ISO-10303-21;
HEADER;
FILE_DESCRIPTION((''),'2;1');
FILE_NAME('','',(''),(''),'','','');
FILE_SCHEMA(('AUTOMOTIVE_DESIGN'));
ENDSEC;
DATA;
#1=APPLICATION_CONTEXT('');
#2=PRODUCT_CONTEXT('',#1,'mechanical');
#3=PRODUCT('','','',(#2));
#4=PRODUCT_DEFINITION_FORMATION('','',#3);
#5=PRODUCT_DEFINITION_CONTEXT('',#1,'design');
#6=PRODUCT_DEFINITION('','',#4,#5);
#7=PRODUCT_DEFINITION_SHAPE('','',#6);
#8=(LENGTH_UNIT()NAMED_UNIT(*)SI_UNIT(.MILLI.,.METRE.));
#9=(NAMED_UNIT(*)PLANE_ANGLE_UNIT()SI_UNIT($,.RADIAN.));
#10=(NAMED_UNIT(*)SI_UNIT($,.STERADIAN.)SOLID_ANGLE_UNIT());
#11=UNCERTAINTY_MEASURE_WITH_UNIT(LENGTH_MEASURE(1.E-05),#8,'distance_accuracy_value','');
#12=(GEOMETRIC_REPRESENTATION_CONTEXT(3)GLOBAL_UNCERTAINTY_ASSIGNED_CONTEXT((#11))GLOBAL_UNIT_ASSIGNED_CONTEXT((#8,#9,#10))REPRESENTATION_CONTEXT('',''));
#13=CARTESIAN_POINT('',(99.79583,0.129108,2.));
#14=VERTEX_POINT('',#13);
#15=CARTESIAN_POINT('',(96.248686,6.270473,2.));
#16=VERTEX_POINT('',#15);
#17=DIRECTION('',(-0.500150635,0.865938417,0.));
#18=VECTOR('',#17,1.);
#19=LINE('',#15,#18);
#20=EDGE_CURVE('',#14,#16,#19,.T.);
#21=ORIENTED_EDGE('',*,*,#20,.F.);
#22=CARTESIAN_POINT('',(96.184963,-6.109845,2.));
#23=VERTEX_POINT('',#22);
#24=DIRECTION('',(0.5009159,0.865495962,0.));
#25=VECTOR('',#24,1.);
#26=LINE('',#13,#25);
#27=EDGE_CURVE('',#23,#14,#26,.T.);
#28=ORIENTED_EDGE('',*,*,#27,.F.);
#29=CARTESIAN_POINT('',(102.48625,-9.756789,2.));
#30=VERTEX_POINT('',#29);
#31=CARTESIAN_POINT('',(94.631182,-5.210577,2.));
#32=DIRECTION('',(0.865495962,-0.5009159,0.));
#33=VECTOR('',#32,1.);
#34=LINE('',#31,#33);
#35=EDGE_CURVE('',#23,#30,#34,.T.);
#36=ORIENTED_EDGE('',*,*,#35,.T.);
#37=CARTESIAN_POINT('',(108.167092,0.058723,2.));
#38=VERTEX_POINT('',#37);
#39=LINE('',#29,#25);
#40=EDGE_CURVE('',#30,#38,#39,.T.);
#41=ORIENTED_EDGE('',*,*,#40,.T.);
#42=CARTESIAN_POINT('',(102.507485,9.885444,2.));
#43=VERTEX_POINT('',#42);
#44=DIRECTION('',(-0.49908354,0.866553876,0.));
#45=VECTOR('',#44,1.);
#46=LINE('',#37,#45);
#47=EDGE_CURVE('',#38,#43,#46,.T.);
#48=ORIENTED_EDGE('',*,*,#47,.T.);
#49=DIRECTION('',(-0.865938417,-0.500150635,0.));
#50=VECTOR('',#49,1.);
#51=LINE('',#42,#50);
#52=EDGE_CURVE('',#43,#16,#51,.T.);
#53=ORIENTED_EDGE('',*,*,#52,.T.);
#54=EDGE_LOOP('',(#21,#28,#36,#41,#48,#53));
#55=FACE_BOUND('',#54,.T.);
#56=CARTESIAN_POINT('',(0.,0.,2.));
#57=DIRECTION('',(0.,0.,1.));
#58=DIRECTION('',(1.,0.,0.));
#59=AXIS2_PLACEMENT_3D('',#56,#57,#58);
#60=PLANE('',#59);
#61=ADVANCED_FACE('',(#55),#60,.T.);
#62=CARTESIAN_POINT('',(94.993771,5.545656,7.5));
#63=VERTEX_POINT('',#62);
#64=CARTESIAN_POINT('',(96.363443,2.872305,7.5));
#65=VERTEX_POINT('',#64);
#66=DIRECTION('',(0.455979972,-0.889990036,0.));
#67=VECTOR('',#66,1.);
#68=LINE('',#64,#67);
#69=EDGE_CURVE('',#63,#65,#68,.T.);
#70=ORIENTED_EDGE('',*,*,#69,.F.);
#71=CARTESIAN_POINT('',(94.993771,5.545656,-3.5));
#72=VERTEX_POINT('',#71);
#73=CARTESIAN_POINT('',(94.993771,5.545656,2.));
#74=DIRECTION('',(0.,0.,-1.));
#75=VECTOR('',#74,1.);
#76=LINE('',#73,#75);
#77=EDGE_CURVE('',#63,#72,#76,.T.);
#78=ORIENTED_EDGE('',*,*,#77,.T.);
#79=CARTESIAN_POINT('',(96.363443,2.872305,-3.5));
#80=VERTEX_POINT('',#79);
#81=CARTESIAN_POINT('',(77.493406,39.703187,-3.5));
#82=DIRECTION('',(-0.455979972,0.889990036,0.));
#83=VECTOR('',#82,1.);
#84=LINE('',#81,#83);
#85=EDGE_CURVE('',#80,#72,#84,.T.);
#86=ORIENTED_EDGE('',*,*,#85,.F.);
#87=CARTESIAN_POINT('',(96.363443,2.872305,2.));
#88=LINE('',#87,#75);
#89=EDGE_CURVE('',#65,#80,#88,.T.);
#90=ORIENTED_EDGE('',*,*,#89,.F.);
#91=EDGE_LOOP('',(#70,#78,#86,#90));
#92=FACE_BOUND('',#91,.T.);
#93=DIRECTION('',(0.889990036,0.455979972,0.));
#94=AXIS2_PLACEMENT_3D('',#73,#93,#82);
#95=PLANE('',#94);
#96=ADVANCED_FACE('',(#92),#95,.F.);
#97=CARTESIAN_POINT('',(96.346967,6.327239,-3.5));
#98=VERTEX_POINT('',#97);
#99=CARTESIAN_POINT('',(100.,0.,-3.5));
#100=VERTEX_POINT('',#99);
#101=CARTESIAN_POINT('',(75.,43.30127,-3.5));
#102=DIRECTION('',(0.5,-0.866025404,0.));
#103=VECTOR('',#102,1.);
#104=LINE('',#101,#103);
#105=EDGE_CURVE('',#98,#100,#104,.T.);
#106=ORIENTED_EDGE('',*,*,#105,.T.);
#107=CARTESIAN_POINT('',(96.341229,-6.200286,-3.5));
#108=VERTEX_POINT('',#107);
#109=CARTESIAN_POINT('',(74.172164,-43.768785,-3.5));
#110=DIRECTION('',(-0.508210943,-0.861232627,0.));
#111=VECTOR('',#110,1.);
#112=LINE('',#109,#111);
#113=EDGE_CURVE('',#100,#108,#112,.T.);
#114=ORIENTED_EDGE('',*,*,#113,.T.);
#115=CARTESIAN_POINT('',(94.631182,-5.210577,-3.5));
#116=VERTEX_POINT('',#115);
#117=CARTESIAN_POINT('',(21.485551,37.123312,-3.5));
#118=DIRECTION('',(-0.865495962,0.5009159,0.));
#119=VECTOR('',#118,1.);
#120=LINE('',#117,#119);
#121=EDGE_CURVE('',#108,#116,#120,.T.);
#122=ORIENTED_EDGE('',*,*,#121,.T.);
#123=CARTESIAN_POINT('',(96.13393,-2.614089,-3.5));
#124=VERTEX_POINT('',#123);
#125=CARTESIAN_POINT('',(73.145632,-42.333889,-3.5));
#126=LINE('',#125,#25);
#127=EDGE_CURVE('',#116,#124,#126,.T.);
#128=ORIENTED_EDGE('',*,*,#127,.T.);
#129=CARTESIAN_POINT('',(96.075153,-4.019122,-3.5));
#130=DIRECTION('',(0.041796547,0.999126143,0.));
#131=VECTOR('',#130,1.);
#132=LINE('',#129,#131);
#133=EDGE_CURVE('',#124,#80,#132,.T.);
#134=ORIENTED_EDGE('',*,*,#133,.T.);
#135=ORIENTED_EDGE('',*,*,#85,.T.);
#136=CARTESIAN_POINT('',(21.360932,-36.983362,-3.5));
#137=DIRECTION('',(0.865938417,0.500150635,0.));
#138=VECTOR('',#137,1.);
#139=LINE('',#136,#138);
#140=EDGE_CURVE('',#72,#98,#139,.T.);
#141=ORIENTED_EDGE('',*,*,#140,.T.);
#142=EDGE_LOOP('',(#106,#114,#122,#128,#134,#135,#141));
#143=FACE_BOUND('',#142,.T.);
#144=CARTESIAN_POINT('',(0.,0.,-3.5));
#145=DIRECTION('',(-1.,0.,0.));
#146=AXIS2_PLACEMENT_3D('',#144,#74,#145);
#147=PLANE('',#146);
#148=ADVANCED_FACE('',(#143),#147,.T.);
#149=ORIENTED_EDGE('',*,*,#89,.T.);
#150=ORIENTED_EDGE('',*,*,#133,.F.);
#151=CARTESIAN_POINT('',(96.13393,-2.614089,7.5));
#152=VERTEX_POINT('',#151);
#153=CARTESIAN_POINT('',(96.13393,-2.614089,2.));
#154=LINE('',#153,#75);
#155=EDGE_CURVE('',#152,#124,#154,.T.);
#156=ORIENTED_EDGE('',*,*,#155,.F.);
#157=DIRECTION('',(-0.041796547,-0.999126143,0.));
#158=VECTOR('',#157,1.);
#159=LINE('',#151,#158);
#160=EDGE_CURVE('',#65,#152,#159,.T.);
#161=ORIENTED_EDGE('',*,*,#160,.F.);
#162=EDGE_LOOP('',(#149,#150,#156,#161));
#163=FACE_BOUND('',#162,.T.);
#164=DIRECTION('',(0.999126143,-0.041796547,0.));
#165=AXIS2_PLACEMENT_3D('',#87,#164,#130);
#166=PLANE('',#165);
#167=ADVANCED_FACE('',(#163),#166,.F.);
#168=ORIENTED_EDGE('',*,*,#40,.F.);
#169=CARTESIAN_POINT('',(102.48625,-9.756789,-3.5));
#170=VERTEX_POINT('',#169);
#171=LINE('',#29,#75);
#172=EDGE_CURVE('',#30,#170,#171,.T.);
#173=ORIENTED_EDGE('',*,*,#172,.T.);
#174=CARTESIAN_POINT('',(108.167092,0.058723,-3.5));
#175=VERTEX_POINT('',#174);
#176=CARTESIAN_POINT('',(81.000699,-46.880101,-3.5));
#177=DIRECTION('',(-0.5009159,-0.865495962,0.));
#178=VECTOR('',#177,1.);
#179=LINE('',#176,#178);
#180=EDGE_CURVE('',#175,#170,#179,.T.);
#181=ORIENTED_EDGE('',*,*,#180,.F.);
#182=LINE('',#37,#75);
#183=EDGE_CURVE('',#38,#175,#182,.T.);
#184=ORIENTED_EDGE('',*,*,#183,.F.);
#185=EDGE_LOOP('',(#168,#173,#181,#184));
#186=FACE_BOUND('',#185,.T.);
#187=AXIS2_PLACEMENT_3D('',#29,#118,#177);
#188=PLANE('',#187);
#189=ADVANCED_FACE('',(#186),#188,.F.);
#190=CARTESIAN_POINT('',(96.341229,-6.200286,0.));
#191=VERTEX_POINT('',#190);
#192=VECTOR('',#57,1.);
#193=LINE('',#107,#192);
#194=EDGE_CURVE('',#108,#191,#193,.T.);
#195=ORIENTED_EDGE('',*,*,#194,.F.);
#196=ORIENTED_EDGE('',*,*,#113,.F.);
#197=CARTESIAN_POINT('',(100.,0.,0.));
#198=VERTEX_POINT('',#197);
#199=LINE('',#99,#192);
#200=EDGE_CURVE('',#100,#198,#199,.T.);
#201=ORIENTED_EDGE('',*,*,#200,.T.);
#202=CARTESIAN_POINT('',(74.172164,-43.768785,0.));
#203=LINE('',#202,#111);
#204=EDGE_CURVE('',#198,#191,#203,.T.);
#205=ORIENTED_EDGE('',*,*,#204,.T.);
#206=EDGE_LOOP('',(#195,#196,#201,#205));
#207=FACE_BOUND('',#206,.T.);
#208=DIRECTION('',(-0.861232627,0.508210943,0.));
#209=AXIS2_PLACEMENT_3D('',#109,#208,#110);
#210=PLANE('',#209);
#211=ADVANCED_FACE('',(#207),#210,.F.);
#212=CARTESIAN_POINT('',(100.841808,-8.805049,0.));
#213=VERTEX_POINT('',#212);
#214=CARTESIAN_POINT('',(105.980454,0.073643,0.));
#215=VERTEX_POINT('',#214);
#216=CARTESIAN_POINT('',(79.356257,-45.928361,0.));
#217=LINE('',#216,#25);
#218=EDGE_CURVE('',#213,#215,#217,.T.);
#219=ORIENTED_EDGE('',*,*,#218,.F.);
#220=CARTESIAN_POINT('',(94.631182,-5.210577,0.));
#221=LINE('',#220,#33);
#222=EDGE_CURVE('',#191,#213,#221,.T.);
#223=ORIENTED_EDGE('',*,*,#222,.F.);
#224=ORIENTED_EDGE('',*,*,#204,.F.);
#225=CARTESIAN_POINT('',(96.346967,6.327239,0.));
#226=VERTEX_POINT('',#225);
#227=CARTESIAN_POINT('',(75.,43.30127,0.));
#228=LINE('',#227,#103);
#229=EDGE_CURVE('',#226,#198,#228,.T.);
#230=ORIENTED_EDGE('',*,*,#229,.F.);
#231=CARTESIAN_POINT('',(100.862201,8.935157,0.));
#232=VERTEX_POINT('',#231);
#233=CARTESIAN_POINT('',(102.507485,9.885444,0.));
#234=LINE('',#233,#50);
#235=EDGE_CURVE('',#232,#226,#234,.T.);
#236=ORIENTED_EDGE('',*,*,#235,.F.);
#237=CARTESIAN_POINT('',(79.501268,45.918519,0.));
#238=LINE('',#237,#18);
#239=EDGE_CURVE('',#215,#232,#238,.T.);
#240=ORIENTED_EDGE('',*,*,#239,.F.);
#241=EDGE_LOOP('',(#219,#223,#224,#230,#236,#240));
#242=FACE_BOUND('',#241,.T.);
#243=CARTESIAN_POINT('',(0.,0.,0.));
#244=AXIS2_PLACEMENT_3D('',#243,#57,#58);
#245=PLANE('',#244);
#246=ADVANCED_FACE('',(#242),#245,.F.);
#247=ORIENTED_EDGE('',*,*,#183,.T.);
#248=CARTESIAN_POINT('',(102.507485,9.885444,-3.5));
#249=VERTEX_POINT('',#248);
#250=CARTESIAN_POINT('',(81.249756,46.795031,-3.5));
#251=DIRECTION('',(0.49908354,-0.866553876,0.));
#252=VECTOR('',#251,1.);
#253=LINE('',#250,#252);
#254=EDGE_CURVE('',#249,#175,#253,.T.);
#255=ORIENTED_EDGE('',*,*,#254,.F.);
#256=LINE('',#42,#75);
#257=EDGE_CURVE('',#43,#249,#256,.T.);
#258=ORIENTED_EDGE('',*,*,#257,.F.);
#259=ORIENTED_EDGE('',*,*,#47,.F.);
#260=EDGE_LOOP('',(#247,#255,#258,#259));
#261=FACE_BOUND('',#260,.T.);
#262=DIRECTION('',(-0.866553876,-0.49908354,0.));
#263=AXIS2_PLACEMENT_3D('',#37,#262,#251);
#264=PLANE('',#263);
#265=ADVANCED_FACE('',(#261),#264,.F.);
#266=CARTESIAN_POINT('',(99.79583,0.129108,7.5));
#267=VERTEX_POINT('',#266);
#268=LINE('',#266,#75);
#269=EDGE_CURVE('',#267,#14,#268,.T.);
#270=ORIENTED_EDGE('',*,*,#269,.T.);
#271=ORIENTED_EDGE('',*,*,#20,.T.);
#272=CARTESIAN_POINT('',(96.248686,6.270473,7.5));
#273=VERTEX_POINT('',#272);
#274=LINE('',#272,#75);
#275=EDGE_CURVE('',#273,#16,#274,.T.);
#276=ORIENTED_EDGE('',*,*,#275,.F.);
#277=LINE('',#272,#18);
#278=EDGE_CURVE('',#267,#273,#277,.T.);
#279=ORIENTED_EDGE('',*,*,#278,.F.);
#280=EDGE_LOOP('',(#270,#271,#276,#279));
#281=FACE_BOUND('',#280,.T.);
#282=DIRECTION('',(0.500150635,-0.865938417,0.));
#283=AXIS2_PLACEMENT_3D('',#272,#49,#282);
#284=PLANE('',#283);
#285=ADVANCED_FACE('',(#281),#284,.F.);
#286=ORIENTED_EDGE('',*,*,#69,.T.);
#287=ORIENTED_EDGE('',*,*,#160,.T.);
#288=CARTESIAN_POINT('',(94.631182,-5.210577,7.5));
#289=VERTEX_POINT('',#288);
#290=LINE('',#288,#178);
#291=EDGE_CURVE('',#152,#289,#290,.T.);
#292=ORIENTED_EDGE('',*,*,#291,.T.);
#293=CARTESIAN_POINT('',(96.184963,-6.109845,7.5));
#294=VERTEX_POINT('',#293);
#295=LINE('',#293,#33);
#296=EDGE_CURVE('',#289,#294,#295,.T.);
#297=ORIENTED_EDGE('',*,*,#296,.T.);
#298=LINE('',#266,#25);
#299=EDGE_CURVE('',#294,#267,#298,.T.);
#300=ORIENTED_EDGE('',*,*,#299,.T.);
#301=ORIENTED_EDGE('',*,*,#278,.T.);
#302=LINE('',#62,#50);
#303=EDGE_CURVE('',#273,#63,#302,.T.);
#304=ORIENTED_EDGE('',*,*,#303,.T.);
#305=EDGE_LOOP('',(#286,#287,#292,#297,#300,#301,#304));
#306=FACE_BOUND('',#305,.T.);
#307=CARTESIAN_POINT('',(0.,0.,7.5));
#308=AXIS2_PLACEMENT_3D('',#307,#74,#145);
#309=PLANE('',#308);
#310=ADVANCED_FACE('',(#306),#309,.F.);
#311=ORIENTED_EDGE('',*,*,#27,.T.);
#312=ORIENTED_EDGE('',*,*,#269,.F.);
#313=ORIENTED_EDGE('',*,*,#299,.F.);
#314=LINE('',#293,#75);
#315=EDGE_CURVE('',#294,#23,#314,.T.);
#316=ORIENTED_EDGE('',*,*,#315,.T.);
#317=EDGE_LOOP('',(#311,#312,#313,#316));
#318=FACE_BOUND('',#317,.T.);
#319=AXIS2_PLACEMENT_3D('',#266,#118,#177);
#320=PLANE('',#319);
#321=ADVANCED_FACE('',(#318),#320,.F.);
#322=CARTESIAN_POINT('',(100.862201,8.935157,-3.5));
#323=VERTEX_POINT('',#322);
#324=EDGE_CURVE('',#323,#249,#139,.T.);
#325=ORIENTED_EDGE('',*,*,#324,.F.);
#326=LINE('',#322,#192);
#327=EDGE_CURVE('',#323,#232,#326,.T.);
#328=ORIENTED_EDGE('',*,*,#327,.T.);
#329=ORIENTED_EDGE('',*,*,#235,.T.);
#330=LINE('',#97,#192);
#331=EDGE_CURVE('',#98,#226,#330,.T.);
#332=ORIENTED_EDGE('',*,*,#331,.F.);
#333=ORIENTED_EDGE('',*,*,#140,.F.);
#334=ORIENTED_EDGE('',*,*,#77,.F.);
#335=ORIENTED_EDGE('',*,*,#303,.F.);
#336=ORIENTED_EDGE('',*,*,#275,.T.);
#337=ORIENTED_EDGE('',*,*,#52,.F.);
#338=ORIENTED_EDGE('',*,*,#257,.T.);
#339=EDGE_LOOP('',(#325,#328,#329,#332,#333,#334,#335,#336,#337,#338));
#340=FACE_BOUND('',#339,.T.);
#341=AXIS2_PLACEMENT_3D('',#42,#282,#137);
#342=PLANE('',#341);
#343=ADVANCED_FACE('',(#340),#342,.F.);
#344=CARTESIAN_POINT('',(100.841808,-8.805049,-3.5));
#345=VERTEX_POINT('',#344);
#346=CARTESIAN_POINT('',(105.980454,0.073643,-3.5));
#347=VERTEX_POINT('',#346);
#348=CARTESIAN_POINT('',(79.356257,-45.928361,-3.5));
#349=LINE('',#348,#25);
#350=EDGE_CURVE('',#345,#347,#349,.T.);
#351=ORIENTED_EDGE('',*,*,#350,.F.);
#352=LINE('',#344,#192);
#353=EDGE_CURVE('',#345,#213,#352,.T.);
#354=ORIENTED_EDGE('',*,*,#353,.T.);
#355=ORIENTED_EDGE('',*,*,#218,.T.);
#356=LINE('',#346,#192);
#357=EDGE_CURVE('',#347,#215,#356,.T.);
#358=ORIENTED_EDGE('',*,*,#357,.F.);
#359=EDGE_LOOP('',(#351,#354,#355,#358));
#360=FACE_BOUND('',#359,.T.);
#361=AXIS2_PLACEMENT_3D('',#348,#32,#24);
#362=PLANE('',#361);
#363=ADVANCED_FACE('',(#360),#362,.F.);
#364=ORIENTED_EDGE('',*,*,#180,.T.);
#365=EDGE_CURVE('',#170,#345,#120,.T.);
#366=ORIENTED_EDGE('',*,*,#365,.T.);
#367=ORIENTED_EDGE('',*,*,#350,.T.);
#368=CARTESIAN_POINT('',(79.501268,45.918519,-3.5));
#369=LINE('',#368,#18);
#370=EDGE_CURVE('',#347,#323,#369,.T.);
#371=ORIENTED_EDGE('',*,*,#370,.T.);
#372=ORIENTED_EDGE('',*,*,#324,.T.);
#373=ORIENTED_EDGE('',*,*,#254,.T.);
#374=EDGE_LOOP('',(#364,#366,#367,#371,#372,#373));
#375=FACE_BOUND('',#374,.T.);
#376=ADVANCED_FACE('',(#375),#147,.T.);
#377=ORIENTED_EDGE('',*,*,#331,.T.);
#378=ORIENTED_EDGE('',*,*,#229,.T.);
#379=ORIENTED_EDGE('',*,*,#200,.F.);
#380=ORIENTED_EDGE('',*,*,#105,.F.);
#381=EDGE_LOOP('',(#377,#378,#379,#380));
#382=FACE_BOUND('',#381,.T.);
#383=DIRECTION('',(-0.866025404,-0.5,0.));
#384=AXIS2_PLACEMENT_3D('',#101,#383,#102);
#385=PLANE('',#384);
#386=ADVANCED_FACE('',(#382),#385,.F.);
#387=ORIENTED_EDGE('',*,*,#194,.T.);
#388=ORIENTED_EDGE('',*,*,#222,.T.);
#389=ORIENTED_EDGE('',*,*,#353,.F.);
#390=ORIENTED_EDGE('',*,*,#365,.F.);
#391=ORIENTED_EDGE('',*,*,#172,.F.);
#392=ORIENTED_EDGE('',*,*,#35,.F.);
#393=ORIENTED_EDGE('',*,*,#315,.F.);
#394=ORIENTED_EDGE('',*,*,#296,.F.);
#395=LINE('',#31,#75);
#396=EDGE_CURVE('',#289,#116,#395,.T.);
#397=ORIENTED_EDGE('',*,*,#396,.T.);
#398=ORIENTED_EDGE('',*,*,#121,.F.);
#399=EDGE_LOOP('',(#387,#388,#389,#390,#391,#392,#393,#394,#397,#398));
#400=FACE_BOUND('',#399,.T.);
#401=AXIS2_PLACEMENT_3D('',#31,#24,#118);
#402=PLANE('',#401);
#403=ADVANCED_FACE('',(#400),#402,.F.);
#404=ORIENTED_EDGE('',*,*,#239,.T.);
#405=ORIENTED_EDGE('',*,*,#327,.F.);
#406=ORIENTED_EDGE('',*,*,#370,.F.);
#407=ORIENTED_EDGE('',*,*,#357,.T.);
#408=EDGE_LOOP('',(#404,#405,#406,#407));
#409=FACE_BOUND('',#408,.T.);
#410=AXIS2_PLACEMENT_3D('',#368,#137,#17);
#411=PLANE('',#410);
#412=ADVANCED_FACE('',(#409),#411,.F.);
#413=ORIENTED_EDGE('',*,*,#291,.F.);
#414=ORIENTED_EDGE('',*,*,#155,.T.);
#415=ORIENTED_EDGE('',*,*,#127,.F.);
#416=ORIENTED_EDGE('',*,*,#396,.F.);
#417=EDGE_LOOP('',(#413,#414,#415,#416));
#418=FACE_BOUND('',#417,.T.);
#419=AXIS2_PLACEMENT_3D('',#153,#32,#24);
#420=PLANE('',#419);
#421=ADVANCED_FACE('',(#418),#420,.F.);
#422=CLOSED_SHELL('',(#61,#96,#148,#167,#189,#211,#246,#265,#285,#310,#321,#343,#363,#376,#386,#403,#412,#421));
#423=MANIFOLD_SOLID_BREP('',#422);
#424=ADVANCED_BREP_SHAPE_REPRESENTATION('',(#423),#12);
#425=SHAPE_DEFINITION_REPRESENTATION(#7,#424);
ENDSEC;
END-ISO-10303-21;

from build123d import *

# Parameters (mm, degrees)
SALIENTE_EXTRUIR1_DEPTH = 2
SALIENTE_EXTRUIR2_DEPTH = 3.5
SALIENTE_EXTRUIR3_DEPTH = 5.5


with BuildPart() as part:
    # Croquis1 → Saliente-Extruir1 (new body)
    with BuildSketch(Plane.XY):
        Polygon((94.631182175, -5.210576854), (102.486249967, -9.756789114), (108.167092376, 0.058723162), (102.507485031, 9.885444115), (94.993770531, 5.545656204), (96.36344276, 2.872304936), (96.133929876, -2.614088967), align=None)
    extrude(amount=SALIENTE_EXTRUIR1_DEPTH)

    # Croquis2 → Saliente-Extruir2 (add)
    with BuildSketch(Plane(origin=(0, 0, 0), x_dir=(-1, 0, 0), z_dir=(0, 0, -1))):
        Polygon((-100.000000028, -1.2e-08), (-96.341228634, -6.200286222), (-94.631182175, -5.210576854), (-96.133929876, -2.614088967), (-96.36344276, 2.872304936), (-94.993770531, 5.545656204), (-96.346967159, 6.327238518), align=None)
        Polygon((-102.486249967, -9.756789114), (-100.841807638, -8.805048903), (-105.980454031, 0.073642516), (-100.862200724, 8.935157151), (-102.507485031, 9.885444115), (-108.167092376, 0.058723162), align=None)
    extrude(amount=SALIENTE_EXTRUIR2_DEPTH)

    # Croquis3 → Saliente-Extruir3 (add)
    with BuildSketch(Plane.XY.offset(2)):
        Polygon((94.631182175, -5.210576854), (96.133929876, -2.614088967), (96.36344276, 2.872304936), (94.993770531, 5.545656204), (96.248686318, 6.270473252), (99.795829711, 0.129107984), (96.184962548, -6.109845399), align=None)
    extrude(amount=SALIENTE_EXTRUIR3_DEPTH)


solid = part.part
